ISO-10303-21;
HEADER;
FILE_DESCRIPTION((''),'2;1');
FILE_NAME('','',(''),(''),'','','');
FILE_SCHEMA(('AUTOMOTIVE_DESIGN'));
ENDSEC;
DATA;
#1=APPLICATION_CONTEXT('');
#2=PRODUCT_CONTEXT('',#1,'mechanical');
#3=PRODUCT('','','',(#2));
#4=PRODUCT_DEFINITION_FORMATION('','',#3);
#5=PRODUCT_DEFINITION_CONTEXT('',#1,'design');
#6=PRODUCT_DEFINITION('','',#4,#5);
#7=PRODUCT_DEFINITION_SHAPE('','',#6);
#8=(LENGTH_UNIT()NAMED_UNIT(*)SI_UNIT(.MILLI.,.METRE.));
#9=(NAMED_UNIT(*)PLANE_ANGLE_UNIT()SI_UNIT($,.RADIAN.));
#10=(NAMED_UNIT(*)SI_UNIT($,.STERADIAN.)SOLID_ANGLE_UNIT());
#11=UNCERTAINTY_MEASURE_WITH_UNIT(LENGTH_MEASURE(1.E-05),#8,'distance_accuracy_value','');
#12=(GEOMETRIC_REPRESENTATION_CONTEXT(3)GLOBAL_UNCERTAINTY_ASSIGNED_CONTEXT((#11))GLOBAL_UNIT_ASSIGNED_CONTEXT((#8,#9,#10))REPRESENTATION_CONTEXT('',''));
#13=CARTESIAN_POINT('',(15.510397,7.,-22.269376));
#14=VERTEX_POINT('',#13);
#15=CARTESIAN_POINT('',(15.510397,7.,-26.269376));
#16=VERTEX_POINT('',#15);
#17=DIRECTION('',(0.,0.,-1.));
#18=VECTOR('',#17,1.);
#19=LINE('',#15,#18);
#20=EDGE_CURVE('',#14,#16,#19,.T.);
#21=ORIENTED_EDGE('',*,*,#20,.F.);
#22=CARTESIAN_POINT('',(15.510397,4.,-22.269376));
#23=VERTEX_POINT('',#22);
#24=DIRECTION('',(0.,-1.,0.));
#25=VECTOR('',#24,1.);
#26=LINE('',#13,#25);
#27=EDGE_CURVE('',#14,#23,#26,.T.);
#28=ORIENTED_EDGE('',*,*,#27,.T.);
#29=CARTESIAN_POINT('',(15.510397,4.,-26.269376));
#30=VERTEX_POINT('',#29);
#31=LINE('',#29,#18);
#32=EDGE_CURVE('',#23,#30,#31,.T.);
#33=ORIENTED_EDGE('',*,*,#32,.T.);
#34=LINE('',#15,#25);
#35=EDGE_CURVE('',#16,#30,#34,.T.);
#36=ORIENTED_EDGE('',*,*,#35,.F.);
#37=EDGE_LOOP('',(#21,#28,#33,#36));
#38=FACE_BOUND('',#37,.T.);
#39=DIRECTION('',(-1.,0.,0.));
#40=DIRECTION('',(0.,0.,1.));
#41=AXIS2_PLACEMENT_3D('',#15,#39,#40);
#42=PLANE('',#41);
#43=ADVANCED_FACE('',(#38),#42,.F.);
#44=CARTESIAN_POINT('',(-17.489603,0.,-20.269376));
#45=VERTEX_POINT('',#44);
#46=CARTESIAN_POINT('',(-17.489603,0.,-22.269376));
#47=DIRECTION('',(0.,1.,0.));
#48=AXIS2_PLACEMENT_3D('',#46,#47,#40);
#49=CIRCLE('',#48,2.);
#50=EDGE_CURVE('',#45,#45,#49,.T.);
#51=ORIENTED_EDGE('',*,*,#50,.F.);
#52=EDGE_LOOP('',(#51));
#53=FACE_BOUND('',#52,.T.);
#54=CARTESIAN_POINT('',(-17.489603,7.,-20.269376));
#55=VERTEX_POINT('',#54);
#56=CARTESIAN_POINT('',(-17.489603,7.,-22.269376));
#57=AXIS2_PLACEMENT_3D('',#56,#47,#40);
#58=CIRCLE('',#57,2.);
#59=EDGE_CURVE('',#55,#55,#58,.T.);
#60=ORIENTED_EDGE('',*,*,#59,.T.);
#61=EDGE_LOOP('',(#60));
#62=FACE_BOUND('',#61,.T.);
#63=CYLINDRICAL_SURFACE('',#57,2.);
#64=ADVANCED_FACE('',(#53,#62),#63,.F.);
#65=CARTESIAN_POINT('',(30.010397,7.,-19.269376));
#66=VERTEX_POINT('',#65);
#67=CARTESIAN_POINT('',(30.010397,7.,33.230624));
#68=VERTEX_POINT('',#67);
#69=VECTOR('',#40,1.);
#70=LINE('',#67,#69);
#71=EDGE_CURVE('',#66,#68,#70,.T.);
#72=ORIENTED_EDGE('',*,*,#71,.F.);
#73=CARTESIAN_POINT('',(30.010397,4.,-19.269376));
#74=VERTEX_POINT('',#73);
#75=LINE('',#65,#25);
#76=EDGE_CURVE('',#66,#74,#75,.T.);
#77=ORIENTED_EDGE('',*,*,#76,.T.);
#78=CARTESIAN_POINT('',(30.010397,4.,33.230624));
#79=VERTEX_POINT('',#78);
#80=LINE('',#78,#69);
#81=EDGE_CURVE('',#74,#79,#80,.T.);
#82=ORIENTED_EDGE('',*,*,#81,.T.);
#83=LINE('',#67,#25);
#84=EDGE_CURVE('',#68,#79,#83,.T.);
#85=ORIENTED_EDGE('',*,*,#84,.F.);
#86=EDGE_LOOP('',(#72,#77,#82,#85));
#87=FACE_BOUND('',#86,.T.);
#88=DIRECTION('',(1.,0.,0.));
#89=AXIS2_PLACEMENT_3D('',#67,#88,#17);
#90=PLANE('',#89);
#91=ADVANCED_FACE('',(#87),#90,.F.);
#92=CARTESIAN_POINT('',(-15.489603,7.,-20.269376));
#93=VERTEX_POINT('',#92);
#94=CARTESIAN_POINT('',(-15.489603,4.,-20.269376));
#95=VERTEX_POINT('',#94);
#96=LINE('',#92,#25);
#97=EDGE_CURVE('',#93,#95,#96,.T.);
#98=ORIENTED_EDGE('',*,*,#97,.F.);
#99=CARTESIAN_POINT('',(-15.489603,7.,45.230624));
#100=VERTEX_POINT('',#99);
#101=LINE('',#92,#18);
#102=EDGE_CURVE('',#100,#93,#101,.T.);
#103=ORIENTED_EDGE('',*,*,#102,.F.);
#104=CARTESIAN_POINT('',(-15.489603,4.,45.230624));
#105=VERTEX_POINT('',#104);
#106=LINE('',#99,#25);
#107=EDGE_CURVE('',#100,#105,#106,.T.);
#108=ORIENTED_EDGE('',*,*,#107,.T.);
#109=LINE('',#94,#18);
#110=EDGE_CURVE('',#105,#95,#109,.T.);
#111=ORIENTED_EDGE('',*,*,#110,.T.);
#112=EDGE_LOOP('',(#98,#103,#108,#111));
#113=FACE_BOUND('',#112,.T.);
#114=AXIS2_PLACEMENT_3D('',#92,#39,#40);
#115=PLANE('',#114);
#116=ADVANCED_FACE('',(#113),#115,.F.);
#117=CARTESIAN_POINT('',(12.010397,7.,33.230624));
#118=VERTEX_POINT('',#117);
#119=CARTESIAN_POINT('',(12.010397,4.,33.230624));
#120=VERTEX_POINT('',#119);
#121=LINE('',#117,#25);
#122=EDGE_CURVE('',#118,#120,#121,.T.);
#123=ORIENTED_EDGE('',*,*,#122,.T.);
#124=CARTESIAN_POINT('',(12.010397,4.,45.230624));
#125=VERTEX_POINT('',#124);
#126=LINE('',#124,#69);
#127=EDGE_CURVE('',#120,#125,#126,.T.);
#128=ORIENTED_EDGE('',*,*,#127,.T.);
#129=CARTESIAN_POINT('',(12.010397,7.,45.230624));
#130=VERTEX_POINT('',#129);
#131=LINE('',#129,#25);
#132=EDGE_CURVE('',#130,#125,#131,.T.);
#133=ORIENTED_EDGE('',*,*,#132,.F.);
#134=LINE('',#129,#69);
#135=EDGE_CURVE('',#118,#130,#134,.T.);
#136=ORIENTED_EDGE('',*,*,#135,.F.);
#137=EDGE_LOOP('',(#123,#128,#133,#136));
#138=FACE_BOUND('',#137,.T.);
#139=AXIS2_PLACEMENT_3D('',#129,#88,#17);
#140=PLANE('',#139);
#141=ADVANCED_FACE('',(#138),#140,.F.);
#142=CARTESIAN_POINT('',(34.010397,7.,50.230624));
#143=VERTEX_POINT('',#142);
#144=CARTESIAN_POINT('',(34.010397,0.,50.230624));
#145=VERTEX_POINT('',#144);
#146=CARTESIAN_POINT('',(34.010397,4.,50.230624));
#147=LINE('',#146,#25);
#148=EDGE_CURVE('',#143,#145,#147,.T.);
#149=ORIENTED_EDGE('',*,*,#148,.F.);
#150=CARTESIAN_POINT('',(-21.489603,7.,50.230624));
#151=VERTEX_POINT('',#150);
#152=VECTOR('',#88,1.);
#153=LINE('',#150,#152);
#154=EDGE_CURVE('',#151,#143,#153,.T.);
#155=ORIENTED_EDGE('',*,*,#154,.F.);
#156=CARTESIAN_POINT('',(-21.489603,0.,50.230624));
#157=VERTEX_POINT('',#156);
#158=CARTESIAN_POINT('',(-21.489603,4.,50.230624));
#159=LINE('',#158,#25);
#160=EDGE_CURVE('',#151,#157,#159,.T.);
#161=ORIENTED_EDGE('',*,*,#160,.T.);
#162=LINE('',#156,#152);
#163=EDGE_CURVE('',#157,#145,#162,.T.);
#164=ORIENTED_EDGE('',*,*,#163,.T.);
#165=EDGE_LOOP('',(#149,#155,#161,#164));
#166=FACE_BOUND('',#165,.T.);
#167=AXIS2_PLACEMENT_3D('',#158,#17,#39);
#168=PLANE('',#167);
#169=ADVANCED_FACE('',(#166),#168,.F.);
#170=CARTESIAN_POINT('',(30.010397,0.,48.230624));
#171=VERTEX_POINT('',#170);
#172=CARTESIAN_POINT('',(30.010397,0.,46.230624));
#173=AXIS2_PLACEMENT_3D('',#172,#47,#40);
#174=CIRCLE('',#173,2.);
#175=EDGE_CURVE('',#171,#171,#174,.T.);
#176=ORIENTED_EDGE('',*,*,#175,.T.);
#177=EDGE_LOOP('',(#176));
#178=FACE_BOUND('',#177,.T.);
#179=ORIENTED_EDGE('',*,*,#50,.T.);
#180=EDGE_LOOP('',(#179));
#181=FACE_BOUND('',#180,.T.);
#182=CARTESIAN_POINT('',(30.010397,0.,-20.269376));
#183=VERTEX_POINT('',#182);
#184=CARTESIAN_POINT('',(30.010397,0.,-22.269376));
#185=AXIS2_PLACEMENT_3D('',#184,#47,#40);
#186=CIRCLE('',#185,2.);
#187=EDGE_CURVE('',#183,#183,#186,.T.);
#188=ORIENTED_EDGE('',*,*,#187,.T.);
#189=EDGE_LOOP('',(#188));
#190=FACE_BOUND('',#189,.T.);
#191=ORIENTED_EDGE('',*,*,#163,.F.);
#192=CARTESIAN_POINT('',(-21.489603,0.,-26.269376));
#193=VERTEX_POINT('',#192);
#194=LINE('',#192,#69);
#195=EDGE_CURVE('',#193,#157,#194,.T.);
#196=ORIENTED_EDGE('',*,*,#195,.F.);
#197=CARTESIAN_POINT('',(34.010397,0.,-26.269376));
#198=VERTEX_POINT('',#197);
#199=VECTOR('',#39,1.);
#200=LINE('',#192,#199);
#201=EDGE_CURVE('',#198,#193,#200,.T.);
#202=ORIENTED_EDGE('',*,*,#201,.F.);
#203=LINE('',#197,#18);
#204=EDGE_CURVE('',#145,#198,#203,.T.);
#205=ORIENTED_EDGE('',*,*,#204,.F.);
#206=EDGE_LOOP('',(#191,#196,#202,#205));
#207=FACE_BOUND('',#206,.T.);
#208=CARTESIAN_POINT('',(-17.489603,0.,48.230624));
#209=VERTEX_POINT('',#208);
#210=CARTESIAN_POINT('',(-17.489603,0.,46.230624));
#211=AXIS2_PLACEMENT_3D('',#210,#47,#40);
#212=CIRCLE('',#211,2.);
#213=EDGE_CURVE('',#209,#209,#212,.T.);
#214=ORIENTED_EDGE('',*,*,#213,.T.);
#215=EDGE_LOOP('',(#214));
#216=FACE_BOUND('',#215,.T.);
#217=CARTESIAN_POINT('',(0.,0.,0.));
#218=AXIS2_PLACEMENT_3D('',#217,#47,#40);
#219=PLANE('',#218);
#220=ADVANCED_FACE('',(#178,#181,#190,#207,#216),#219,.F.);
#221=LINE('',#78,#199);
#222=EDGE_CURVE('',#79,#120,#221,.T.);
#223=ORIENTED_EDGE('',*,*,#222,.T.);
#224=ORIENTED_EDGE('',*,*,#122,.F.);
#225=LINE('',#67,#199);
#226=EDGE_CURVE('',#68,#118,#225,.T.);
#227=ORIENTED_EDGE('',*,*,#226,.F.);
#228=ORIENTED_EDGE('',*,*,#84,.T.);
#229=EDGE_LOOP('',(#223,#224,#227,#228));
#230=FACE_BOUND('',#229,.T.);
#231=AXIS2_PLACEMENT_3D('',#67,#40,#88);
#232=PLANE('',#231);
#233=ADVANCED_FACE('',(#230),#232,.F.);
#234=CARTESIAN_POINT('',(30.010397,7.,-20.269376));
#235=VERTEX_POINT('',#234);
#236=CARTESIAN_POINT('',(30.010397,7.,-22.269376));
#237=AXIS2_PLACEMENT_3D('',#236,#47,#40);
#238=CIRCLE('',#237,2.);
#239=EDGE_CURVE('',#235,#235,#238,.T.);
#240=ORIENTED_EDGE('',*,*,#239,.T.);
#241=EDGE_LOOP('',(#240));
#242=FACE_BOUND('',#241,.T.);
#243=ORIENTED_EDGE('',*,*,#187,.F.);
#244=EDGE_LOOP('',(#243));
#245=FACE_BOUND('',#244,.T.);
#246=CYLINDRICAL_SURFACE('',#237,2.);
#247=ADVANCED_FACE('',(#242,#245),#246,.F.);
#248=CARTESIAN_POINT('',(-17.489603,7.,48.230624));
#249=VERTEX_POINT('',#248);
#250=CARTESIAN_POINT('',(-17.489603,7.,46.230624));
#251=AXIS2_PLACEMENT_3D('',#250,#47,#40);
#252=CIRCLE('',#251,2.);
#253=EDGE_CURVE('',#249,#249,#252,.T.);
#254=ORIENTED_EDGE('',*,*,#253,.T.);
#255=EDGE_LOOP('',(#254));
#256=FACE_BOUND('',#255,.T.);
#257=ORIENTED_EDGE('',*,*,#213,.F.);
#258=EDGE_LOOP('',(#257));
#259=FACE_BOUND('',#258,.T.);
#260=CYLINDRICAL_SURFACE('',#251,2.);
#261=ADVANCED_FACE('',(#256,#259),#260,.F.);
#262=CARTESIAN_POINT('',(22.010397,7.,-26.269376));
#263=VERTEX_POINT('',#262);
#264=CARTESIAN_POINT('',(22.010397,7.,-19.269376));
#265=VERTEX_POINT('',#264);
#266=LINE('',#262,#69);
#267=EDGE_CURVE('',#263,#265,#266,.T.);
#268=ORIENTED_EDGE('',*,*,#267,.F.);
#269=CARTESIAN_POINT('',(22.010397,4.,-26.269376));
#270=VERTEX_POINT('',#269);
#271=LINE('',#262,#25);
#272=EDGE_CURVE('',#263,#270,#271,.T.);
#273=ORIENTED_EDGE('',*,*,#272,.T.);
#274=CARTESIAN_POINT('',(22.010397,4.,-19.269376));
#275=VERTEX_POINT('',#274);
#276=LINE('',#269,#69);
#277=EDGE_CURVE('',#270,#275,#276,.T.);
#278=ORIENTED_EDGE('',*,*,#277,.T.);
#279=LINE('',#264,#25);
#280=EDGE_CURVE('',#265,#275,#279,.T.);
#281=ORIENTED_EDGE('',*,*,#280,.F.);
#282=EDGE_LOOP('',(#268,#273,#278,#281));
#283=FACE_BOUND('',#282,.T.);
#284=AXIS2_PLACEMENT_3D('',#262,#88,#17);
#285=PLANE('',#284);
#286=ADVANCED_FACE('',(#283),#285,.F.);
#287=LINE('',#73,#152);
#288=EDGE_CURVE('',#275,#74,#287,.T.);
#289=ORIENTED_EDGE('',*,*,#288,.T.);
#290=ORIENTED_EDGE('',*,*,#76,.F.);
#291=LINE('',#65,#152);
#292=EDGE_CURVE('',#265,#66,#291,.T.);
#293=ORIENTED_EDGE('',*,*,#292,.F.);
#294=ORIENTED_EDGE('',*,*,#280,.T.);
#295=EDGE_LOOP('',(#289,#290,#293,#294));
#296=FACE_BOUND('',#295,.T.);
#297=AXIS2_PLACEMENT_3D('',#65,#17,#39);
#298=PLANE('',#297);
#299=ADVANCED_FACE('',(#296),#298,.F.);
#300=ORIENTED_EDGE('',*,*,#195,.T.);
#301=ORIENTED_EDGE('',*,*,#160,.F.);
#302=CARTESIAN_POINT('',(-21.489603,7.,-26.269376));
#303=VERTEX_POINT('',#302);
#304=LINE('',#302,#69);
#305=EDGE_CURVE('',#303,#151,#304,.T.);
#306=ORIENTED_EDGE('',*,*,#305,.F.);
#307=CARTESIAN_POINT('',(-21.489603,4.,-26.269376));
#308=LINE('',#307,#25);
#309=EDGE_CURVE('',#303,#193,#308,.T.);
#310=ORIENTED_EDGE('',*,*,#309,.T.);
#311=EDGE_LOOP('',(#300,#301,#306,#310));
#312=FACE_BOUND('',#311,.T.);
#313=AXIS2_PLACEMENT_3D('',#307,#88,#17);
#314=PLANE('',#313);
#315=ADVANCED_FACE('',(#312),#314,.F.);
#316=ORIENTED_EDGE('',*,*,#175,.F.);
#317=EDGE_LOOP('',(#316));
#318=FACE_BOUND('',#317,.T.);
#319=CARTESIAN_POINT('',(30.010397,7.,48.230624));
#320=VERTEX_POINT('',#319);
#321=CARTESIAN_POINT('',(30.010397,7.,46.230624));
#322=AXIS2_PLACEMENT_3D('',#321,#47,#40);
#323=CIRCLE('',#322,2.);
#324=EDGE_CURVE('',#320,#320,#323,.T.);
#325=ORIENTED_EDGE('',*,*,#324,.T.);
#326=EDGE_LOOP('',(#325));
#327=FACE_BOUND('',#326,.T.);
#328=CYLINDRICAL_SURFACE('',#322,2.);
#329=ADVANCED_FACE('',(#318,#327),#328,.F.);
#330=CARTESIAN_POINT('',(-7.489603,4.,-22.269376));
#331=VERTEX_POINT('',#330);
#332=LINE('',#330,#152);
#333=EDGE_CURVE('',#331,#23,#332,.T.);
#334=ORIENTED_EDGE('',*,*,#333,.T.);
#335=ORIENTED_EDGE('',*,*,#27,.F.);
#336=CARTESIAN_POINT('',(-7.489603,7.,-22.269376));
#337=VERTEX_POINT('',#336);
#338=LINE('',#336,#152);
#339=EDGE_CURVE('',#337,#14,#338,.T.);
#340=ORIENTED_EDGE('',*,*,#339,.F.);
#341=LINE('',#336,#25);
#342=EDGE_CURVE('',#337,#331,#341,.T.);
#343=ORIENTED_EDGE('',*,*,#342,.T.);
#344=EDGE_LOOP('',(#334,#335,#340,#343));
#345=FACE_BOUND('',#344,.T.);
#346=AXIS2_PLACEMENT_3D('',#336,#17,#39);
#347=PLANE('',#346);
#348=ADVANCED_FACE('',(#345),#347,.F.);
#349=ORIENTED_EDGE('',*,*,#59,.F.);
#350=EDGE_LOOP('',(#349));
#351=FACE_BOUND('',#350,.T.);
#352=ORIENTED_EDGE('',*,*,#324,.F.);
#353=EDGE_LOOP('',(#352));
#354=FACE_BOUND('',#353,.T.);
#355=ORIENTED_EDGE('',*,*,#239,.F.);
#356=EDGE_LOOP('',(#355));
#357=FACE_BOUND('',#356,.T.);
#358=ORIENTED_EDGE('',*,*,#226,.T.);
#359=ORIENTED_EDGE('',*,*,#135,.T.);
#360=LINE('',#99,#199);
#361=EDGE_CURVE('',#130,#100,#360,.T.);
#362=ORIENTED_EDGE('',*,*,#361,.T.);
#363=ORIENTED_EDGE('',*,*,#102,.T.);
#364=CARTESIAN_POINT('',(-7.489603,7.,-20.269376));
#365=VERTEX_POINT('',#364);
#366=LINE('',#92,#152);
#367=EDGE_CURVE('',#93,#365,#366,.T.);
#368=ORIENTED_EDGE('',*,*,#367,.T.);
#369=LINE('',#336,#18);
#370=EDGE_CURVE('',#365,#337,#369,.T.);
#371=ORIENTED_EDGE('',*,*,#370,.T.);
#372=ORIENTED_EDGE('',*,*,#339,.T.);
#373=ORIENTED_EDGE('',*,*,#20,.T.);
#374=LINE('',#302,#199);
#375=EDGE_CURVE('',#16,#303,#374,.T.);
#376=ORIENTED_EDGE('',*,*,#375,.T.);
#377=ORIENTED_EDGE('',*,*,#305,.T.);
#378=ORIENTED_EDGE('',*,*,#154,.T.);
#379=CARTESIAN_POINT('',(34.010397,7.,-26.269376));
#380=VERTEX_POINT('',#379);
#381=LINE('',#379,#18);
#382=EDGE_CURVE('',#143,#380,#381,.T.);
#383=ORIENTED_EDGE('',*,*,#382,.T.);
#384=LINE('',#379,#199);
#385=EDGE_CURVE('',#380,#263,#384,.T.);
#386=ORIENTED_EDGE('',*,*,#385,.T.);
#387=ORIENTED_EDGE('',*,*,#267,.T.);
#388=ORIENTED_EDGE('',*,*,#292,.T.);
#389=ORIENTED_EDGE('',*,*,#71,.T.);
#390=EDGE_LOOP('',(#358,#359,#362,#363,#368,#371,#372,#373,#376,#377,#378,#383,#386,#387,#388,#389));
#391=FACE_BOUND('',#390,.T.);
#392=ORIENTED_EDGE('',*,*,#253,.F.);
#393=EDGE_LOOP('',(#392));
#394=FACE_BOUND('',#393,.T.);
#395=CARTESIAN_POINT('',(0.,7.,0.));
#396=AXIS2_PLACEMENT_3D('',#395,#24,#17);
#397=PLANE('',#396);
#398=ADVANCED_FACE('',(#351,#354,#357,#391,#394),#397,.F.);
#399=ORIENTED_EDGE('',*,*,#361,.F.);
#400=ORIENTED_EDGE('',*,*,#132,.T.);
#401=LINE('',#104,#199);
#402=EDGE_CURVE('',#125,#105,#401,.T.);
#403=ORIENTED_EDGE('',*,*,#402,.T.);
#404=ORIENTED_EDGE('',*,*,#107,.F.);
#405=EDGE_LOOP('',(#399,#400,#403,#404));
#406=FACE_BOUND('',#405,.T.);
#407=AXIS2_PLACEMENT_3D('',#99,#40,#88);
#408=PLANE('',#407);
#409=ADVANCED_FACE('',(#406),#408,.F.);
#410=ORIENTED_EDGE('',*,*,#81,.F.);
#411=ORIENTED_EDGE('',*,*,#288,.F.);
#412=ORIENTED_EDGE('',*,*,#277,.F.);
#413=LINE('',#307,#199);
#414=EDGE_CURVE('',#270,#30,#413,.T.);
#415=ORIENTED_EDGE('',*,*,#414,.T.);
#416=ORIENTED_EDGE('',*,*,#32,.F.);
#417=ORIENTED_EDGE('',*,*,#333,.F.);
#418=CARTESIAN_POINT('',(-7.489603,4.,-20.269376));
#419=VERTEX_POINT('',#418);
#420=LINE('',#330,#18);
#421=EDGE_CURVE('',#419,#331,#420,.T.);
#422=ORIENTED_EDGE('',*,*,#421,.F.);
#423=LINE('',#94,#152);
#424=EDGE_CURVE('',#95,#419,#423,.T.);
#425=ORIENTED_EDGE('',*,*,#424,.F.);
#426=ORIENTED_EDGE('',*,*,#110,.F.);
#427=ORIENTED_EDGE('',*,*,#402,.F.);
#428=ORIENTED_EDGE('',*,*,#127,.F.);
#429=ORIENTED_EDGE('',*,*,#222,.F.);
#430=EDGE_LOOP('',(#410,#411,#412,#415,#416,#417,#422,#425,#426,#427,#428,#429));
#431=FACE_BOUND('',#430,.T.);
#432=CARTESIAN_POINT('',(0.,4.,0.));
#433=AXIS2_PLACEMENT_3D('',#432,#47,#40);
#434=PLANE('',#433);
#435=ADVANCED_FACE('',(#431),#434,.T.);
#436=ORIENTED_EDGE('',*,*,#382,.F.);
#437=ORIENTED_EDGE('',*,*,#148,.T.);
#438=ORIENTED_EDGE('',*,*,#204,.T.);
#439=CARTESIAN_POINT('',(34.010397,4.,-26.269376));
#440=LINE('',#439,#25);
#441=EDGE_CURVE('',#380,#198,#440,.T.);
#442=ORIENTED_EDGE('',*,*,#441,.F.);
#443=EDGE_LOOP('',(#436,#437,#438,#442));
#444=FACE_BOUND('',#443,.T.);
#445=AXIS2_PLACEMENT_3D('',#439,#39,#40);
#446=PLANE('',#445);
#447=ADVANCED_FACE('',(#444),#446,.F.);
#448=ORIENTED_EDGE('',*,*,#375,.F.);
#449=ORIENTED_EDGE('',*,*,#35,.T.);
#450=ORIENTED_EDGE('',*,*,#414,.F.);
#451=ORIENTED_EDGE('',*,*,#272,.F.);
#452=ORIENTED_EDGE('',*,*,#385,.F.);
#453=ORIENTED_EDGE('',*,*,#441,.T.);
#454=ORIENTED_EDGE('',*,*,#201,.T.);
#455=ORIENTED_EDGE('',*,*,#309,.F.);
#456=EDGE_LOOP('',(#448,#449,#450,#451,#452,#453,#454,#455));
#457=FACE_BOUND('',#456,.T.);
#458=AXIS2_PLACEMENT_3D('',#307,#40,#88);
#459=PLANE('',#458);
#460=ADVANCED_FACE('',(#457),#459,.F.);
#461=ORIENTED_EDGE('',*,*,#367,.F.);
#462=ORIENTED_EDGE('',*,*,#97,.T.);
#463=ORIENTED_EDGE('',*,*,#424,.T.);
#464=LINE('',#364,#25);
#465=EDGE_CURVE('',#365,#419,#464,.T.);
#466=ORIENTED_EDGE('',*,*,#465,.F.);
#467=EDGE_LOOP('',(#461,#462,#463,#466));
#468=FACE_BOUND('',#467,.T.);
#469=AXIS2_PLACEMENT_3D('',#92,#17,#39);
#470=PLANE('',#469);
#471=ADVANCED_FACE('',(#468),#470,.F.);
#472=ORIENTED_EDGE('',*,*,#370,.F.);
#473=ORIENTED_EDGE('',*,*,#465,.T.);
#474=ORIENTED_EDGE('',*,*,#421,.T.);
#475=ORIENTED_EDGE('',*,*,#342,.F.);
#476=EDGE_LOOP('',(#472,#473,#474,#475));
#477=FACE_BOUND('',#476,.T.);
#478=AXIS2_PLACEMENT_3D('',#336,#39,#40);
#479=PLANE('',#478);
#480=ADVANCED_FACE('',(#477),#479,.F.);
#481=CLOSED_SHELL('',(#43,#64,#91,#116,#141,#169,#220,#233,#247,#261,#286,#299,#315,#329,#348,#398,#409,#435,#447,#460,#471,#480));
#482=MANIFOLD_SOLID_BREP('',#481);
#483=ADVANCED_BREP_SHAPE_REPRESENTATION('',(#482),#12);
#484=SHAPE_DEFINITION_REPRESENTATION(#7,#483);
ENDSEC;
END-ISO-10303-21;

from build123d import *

# Parameters (mm, degrees)
SKETCH1_W                    = 55.5
SKETCH1_H                    = 76.5
BOSS_EXTRUDE1_DEPTH          = 4
BOSS_EXTRUDE2_DEPTH          = 3
F_4_0_4_DIAMETER_HOLE1_D     = 4
F_4_0_4_DIAMETER_HOLE1_DEPTH = 7


with BuildPart() as part:
    # Sketch1 → Boss-Extrude1 (new body)
    with BuildSketch(Plane(origin=(0, 0, 0), x_dir=(1, 0, 0), z_dir=(0, 1, 0))):
        with Locations((6.260396975, -11.980623819)):
            Rectangle(SKETCH1_W, SKETCH1_H)
    extrude(amount=BOSS_EXTRUDE1_DEPTH)

    # Sketch2 → Boss-Extrude2 (add)
    with BuildSketch(Plane(origin=(0, 4, 0), x_dir=(1, 0, 0), z_dir=(0, 1, 0))):
        Polygon((-21.489603025, 26.269376181), (-21.489603025, -50.230623819), (34.010396975, -50.230623819), (34.010396975, 26.269376181), (22.010396975, 26.269376181), (22.010396975, 19.269376181), (30.010396975, 19.269376181), (30.010396975, -33.230623819), (12.010396975, -33.230623819), (12.010396975, -45.230623819), (-15.489603025, -45.230623819), (-15.489603025, 20.269376181), (-7.489603025, 20.269376181), (-7.489603025, 22.269376181), (15.510396975, 22.269376181), (15.510396975, 26.269376181), align=None)
    extrude(amount=BOSS_EXTRUDE2_DEPTH)

    # Ø4.0 (4) Diameter Hole1
    with Locations(Plane(origin=(0, 7, 0), x_dir=(1, 0, 0), z_dir=(0, 1, 0))):
        with Locations((30.010396975, 22.269376181), (30.010396975, -46.230623819), (-17.489603025, -46.230623819), (-17.489603025, 22.269376181)):
            Hole(F_4_0_4_DIAMETER_HOLE1_D / 2, depth=F_4_0_4_DIAMETER_HOLE1_DEPTH)


solid = part.part
